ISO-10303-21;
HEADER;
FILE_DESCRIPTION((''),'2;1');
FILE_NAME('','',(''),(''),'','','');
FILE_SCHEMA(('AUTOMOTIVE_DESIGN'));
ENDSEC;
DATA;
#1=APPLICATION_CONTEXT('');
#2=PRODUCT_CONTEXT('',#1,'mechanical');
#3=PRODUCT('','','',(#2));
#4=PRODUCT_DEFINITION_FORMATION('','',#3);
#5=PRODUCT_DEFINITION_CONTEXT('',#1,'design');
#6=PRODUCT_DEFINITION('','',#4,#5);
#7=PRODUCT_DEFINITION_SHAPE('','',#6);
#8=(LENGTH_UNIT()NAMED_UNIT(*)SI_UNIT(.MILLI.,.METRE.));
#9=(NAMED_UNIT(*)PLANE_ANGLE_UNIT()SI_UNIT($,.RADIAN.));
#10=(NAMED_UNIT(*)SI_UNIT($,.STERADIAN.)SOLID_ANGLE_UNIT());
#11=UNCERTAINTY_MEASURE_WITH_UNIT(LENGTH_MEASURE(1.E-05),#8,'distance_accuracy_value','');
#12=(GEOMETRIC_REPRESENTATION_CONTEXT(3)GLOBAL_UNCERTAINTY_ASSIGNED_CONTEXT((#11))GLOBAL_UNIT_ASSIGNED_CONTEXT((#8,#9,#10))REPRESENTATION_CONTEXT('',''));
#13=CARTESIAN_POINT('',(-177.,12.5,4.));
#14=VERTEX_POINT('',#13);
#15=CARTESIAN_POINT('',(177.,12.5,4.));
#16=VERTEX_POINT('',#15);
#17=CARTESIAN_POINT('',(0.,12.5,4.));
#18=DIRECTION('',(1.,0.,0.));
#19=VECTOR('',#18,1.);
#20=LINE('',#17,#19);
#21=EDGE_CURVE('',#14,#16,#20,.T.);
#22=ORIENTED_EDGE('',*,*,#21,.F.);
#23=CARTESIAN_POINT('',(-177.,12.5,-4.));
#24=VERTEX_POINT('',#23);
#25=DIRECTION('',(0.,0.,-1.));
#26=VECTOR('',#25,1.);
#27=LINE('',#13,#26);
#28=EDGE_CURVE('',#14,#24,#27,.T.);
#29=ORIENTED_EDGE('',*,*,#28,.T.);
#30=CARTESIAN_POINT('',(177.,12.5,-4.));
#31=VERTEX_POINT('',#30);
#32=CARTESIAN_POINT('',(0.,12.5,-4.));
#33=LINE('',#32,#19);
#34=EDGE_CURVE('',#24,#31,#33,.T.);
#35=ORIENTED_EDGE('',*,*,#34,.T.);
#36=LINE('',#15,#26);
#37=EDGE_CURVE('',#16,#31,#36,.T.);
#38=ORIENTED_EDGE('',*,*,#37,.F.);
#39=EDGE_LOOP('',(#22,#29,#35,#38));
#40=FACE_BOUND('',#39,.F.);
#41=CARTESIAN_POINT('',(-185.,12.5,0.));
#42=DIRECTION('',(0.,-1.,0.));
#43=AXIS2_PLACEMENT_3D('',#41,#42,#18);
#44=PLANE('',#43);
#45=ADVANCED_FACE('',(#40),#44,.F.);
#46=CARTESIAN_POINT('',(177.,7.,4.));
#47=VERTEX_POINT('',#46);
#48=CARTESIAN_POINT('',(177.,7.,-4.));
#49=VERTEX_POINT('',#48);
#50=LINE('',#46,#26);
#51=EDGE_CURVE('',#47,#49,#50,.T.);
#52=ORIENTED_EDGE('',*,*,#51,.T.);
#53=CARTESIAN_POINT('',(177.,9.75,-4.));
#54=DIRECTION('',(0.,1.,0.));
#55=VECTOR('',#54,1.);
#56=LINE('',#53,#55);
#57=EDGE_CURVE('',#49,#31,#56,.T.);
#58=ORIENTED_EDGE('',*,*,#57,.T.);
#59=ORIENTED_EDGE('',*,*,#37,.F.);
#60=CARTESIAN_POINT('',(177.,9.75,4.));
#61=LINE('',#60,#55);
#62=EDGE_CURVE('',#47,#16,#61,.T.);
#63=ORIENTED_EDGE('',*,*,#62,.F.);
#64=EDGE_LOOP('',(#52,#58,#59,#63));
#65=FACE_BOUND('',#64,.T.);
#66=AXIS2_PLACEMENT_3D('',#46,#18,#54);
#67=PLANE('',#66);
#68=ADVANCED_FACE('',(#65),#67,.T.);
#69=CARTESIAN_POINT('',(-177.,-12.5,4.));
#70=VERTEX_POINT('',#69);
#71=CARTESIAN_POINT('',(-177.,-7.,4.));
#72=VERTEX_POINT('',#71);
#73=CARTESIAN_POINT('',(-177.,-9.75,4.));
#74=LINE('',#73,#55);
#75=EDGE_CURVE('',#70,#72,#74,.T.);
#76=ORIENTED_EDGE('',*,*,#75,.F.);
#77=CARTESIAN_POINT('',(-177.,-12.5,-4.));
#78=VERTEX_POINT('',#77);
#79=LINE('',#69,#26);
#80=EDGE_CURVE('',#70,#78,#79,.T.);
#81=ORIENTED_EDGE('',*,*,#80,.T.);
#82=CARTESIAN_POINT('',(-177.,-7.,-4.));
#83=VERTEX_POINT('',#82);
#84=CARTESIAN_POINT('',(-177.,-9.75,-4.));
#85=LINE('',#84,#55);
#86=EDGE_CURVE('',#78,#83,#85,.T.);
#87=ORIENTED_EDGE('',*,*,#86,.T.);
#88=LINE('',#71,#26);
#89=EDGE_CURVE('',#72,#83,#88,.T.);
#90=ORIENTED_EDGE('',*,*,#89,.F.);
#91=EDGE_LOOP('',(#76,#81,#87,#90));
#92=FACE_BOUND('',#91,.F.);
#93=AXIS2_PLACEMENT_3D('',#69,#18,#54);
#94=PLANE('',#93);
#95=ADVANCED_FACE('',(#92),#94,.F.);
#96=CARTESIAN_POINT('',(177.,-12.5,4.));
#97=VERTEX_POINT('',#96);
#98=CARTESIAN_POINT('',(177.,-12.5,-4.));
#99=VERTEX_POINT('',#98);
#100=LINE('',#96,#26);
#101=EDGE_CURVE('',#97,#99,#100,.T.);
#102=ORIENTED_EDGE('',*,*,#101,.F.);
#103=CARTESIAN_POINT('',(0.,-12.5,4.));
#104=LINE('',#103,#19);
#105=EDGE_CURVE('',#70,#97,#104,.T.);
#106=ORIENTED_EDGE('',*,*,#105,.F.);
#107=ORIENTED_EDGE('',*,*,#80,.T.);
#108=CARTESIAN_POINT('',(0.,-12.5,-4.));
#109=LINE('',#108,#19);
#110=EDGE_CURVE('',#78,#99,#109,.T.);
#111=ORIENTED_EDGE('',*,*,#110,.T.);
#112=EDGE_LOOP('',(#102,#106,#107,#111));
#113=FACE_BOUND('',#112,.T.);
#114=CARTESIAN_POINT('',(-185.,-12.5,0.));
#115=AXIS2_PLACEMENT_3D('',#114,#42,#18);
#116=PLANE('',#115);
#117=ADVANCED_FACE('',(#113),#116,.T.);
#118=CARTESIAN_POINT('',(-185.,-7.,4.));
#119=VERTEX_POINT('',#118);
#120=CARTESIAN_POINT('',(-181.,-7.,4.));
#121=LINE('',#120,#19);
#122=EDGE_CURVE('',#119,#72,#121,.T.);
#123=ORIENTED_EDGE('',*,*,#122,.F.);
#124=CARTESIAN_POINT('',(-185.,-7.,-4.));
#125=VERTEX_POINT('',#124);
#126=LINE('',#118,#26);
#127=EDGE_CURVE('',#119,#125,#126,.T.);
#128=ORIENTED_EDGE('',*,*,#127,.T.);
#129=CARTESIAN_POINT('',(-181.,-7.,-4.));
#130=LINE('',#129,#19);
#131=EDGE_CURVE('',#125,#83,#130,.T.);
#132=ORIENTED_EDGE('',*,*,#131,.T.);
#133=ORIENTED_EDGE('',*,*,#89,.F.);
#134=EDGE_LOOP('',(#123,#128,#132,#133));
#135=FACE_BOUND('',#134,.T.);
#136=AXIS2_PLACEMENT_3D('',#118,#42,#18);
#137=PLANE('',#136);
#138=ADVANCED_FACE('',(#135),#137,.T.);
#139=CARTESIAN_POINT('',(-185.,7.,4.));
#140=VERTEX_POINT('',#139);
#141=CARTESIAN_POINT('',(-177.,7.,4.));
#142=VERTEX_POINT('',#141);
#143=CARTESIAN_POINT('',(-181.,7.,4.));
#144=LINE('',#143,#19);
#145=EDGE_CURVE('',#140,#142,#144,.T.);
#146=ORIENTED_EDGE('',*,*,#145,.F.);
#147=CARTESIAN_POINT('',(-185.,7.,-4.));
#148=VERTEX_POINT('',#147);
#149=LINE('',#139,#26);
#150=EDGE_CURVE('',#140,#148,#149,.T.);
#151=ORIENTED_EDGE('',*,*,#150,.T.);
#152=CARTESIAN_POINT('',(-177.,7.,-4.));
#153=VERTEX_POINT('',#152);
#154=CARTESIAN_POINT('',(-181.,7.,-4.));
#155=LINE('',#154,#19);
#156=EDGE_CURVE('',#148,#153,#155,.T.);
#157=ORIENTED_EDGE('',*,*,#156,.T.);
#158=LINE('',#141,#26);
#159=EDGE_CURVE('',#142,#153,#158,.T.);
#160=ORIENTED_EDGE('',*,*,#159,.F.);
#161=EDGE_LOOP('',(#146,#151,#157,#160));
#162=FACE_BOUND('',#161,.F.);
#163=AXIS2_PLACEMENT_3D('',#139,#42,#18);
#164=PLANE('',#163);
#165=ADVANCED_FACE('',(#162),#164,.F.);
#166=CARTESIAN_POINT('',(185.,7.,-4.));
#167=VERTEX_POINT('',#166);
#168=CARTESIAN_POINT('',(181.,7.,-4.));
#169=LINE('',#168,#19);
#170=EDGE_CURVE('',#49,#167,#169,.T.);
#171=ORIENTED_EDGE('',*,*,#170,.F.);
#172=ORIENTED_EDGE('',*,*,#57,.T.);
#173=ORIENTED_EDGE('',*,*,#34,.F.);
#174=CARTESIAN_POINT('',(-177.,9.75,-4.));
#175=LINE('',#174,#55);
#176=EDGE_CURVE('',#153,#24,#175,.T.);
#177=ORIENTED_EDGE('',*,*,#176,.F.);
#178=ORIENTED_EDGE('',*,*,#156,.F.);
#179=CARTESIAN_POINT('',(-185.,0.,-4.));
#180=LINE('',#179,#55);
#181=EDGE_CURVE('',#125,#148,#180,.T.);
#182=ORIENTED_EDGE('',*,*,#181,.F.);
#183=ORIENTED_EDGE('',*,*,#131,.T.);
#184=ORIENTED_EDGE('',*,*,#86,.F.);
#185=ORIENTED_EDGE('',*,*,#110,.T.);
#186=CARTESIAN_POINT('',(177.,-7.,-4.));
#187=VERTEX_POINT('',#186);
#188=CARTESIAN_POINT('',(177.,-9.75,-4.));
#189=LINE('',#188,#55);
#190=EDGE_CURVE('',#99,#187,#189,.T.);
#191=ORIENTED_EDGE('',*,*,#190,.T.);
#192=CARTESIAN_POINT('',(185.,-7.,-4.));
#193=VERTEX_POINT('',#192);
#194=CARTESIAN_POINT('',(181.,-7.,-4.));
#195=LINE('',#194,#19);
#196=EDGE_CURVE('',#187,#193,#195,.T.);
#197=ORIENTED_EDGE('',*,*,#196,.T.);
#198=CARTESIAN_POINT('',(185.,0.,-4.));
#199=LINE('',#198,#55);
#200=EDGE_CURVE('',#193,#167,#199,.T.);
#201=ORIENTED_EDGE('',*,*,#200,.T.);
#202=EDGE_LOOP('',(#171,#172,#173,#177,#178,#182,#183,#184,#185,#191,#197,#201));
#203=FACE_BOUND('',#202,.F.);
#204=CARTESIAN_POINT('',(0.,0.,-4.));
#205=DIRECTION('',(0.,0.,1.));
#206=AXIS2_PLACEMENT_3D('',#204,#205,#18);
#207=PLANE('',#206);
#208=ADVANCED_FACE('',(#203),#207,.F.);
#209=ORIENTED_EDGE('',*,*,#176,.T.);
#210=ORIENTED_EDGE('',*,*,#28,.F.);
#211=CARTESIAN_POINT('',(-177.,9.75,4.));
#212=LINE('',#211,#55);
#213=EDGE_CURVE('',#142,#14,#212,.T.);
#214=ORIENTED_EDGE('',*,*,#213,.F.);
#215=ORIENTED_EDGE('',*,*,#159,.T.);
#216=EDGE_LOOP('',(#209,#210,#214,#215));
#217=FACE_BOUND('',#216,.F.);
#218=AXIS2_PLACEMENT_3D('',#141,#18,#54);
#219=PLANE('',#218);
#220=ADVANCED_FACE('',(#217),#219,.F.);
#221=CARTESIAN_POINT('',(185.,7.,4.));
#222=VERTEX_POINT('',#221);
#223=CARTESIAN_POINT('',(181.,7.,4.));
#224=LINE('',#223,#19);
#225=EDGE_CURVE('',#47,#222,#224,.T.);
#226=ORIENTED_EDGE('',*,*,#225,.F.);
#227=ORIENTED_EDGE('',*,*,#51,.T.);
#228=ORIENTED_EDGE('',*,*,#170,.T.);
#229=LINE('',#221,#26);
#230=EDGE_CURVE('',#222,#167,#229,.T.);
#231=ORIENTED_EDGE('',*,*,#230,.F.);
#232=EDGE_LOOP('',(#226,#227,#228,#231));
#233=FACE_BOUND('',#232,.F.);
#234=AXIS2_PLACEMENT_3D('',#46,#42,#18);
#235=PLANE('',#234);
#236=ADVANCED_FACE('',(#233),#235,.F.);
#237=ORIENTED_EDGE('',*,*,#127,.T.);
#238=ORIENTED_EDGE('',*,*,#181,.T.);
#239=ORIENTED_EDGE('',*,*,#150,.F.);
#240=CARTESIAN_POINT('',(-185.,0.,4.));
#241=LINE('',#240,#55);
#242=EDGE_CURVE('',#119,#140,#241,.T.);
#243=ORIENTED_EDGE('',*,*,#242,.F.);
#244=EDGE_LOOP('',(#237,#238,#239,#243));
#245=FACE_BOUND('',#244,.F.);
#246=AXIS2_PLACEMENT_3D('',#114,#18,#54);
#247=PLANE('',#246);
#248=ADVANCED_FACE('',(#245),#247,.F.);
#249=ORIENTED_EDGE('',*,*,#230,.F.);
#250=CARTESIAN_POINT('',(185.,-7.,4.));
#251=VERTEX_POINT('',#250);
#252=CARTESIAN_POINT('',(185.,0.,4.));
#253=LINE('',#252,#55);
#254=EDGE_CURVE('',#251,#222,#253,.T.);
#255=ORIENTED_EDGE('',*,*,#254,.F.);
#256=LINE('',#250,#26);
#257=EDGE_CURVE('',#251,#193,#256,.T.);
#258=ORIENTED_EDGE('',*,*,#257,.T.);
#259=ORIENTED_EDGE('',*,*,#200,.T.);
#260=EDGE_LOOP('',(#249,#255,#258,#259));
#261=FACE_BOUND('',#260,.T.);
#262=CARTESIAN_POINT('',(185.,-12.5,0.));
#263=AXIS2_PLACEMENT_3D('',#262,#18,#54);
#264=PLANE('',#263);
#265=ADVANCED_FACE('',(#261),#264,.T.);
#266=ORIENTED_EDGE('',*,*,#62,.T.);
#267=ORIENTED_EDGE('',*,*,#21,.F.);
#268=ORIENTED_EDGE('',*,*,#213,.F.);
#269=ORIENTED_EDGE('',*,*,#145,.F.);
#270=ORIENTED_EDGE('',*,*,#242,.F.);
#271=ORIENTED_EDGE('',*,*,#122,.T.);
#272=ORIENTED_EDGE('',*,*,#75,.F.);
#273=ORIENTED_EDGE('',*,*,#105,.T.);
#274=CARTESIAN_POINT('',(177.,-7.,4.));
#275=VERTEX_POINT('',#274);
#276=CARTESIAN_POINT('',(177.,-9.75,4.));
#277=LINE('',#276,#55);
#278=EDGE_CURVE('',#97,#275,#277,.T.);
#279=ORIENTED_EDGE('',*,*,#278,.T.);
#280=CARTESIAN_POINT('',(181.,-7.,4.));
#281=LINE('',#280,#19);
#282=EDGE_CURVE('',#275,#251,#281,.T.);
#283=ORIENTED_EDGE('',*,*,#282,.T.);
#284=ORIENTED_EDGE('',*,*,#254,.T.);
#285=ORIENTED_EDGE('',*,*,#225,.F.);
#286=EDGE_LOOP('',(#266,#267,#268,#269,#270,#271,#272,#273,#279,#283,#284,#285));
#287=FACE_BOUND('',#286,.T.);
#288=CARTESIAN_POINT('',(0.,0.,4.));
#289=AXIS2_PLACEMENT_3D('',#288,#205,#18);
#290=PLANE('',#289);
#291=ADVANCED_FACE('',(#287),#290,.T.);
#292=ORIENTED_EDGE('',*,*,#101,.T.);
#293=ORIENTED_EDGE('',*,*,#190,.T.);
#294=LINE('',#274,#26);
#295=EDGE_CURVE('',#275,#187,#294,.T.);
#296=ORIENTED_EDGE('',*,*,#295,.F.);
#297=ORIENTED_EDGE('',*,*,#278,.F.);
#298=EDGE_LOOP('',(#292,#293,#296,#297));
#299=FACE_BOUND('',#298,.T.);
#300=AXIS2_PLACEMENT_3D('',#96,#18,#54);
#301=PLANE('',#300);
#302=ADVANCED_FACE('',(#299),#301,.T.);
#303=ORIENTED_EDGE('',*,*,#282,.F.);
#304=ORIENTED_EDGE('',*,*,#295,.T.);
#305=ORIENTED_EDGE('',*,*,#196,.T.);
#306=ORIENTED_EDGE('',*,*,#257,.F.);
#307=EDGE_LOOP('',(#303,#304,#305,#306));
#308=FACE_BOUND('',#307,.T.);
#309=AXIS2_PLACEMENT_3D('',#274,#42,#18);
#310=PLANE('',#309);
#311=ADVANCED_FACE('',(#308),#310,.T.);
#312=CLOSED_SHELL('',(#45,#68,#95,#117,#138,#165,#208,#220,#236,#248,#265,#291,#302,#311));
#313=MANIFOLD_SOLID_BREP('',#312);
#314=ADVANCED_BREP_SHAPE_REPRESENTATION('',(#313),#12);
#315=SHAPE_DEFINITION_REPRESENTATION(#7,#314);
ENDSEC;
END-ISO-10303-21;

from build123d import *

# Parameters (mm, degrees)
F0_W     = 370
F0_H     = 25
F1_DEPTH = 4
F2_W     = 8
F2_H     = 5.5
F3_DEPTH = 8


with BuildPart() as f1:
    # F0 (on Top) → F1 (new body, symmetric)
    with BuildSketch(Plane.XY):
        Rectangle(F0_W, F0_H)
    extrude(amount=F1_DEPTH, both=True)

    # F2 (on face) → F3 (cut)
    with BuildSketch(Plane.XY.offset(4)):
        with Locations((-181, 9.75)):
            Rectangle(F2_W, F2_H)
        with Locations((-181, -9.75)):
            Rectangle(F2_W, F2_H)
        with Locations((181, 9.75)):
            Rectangle(F2_W, F2_H)
        with Locations((181, -9.75)):
            Rectangle(F2_W, F2_H)
    extrude(amount=-F3_DEPTH, mode=Mode.SUBTRACT)


solid = f1.part
